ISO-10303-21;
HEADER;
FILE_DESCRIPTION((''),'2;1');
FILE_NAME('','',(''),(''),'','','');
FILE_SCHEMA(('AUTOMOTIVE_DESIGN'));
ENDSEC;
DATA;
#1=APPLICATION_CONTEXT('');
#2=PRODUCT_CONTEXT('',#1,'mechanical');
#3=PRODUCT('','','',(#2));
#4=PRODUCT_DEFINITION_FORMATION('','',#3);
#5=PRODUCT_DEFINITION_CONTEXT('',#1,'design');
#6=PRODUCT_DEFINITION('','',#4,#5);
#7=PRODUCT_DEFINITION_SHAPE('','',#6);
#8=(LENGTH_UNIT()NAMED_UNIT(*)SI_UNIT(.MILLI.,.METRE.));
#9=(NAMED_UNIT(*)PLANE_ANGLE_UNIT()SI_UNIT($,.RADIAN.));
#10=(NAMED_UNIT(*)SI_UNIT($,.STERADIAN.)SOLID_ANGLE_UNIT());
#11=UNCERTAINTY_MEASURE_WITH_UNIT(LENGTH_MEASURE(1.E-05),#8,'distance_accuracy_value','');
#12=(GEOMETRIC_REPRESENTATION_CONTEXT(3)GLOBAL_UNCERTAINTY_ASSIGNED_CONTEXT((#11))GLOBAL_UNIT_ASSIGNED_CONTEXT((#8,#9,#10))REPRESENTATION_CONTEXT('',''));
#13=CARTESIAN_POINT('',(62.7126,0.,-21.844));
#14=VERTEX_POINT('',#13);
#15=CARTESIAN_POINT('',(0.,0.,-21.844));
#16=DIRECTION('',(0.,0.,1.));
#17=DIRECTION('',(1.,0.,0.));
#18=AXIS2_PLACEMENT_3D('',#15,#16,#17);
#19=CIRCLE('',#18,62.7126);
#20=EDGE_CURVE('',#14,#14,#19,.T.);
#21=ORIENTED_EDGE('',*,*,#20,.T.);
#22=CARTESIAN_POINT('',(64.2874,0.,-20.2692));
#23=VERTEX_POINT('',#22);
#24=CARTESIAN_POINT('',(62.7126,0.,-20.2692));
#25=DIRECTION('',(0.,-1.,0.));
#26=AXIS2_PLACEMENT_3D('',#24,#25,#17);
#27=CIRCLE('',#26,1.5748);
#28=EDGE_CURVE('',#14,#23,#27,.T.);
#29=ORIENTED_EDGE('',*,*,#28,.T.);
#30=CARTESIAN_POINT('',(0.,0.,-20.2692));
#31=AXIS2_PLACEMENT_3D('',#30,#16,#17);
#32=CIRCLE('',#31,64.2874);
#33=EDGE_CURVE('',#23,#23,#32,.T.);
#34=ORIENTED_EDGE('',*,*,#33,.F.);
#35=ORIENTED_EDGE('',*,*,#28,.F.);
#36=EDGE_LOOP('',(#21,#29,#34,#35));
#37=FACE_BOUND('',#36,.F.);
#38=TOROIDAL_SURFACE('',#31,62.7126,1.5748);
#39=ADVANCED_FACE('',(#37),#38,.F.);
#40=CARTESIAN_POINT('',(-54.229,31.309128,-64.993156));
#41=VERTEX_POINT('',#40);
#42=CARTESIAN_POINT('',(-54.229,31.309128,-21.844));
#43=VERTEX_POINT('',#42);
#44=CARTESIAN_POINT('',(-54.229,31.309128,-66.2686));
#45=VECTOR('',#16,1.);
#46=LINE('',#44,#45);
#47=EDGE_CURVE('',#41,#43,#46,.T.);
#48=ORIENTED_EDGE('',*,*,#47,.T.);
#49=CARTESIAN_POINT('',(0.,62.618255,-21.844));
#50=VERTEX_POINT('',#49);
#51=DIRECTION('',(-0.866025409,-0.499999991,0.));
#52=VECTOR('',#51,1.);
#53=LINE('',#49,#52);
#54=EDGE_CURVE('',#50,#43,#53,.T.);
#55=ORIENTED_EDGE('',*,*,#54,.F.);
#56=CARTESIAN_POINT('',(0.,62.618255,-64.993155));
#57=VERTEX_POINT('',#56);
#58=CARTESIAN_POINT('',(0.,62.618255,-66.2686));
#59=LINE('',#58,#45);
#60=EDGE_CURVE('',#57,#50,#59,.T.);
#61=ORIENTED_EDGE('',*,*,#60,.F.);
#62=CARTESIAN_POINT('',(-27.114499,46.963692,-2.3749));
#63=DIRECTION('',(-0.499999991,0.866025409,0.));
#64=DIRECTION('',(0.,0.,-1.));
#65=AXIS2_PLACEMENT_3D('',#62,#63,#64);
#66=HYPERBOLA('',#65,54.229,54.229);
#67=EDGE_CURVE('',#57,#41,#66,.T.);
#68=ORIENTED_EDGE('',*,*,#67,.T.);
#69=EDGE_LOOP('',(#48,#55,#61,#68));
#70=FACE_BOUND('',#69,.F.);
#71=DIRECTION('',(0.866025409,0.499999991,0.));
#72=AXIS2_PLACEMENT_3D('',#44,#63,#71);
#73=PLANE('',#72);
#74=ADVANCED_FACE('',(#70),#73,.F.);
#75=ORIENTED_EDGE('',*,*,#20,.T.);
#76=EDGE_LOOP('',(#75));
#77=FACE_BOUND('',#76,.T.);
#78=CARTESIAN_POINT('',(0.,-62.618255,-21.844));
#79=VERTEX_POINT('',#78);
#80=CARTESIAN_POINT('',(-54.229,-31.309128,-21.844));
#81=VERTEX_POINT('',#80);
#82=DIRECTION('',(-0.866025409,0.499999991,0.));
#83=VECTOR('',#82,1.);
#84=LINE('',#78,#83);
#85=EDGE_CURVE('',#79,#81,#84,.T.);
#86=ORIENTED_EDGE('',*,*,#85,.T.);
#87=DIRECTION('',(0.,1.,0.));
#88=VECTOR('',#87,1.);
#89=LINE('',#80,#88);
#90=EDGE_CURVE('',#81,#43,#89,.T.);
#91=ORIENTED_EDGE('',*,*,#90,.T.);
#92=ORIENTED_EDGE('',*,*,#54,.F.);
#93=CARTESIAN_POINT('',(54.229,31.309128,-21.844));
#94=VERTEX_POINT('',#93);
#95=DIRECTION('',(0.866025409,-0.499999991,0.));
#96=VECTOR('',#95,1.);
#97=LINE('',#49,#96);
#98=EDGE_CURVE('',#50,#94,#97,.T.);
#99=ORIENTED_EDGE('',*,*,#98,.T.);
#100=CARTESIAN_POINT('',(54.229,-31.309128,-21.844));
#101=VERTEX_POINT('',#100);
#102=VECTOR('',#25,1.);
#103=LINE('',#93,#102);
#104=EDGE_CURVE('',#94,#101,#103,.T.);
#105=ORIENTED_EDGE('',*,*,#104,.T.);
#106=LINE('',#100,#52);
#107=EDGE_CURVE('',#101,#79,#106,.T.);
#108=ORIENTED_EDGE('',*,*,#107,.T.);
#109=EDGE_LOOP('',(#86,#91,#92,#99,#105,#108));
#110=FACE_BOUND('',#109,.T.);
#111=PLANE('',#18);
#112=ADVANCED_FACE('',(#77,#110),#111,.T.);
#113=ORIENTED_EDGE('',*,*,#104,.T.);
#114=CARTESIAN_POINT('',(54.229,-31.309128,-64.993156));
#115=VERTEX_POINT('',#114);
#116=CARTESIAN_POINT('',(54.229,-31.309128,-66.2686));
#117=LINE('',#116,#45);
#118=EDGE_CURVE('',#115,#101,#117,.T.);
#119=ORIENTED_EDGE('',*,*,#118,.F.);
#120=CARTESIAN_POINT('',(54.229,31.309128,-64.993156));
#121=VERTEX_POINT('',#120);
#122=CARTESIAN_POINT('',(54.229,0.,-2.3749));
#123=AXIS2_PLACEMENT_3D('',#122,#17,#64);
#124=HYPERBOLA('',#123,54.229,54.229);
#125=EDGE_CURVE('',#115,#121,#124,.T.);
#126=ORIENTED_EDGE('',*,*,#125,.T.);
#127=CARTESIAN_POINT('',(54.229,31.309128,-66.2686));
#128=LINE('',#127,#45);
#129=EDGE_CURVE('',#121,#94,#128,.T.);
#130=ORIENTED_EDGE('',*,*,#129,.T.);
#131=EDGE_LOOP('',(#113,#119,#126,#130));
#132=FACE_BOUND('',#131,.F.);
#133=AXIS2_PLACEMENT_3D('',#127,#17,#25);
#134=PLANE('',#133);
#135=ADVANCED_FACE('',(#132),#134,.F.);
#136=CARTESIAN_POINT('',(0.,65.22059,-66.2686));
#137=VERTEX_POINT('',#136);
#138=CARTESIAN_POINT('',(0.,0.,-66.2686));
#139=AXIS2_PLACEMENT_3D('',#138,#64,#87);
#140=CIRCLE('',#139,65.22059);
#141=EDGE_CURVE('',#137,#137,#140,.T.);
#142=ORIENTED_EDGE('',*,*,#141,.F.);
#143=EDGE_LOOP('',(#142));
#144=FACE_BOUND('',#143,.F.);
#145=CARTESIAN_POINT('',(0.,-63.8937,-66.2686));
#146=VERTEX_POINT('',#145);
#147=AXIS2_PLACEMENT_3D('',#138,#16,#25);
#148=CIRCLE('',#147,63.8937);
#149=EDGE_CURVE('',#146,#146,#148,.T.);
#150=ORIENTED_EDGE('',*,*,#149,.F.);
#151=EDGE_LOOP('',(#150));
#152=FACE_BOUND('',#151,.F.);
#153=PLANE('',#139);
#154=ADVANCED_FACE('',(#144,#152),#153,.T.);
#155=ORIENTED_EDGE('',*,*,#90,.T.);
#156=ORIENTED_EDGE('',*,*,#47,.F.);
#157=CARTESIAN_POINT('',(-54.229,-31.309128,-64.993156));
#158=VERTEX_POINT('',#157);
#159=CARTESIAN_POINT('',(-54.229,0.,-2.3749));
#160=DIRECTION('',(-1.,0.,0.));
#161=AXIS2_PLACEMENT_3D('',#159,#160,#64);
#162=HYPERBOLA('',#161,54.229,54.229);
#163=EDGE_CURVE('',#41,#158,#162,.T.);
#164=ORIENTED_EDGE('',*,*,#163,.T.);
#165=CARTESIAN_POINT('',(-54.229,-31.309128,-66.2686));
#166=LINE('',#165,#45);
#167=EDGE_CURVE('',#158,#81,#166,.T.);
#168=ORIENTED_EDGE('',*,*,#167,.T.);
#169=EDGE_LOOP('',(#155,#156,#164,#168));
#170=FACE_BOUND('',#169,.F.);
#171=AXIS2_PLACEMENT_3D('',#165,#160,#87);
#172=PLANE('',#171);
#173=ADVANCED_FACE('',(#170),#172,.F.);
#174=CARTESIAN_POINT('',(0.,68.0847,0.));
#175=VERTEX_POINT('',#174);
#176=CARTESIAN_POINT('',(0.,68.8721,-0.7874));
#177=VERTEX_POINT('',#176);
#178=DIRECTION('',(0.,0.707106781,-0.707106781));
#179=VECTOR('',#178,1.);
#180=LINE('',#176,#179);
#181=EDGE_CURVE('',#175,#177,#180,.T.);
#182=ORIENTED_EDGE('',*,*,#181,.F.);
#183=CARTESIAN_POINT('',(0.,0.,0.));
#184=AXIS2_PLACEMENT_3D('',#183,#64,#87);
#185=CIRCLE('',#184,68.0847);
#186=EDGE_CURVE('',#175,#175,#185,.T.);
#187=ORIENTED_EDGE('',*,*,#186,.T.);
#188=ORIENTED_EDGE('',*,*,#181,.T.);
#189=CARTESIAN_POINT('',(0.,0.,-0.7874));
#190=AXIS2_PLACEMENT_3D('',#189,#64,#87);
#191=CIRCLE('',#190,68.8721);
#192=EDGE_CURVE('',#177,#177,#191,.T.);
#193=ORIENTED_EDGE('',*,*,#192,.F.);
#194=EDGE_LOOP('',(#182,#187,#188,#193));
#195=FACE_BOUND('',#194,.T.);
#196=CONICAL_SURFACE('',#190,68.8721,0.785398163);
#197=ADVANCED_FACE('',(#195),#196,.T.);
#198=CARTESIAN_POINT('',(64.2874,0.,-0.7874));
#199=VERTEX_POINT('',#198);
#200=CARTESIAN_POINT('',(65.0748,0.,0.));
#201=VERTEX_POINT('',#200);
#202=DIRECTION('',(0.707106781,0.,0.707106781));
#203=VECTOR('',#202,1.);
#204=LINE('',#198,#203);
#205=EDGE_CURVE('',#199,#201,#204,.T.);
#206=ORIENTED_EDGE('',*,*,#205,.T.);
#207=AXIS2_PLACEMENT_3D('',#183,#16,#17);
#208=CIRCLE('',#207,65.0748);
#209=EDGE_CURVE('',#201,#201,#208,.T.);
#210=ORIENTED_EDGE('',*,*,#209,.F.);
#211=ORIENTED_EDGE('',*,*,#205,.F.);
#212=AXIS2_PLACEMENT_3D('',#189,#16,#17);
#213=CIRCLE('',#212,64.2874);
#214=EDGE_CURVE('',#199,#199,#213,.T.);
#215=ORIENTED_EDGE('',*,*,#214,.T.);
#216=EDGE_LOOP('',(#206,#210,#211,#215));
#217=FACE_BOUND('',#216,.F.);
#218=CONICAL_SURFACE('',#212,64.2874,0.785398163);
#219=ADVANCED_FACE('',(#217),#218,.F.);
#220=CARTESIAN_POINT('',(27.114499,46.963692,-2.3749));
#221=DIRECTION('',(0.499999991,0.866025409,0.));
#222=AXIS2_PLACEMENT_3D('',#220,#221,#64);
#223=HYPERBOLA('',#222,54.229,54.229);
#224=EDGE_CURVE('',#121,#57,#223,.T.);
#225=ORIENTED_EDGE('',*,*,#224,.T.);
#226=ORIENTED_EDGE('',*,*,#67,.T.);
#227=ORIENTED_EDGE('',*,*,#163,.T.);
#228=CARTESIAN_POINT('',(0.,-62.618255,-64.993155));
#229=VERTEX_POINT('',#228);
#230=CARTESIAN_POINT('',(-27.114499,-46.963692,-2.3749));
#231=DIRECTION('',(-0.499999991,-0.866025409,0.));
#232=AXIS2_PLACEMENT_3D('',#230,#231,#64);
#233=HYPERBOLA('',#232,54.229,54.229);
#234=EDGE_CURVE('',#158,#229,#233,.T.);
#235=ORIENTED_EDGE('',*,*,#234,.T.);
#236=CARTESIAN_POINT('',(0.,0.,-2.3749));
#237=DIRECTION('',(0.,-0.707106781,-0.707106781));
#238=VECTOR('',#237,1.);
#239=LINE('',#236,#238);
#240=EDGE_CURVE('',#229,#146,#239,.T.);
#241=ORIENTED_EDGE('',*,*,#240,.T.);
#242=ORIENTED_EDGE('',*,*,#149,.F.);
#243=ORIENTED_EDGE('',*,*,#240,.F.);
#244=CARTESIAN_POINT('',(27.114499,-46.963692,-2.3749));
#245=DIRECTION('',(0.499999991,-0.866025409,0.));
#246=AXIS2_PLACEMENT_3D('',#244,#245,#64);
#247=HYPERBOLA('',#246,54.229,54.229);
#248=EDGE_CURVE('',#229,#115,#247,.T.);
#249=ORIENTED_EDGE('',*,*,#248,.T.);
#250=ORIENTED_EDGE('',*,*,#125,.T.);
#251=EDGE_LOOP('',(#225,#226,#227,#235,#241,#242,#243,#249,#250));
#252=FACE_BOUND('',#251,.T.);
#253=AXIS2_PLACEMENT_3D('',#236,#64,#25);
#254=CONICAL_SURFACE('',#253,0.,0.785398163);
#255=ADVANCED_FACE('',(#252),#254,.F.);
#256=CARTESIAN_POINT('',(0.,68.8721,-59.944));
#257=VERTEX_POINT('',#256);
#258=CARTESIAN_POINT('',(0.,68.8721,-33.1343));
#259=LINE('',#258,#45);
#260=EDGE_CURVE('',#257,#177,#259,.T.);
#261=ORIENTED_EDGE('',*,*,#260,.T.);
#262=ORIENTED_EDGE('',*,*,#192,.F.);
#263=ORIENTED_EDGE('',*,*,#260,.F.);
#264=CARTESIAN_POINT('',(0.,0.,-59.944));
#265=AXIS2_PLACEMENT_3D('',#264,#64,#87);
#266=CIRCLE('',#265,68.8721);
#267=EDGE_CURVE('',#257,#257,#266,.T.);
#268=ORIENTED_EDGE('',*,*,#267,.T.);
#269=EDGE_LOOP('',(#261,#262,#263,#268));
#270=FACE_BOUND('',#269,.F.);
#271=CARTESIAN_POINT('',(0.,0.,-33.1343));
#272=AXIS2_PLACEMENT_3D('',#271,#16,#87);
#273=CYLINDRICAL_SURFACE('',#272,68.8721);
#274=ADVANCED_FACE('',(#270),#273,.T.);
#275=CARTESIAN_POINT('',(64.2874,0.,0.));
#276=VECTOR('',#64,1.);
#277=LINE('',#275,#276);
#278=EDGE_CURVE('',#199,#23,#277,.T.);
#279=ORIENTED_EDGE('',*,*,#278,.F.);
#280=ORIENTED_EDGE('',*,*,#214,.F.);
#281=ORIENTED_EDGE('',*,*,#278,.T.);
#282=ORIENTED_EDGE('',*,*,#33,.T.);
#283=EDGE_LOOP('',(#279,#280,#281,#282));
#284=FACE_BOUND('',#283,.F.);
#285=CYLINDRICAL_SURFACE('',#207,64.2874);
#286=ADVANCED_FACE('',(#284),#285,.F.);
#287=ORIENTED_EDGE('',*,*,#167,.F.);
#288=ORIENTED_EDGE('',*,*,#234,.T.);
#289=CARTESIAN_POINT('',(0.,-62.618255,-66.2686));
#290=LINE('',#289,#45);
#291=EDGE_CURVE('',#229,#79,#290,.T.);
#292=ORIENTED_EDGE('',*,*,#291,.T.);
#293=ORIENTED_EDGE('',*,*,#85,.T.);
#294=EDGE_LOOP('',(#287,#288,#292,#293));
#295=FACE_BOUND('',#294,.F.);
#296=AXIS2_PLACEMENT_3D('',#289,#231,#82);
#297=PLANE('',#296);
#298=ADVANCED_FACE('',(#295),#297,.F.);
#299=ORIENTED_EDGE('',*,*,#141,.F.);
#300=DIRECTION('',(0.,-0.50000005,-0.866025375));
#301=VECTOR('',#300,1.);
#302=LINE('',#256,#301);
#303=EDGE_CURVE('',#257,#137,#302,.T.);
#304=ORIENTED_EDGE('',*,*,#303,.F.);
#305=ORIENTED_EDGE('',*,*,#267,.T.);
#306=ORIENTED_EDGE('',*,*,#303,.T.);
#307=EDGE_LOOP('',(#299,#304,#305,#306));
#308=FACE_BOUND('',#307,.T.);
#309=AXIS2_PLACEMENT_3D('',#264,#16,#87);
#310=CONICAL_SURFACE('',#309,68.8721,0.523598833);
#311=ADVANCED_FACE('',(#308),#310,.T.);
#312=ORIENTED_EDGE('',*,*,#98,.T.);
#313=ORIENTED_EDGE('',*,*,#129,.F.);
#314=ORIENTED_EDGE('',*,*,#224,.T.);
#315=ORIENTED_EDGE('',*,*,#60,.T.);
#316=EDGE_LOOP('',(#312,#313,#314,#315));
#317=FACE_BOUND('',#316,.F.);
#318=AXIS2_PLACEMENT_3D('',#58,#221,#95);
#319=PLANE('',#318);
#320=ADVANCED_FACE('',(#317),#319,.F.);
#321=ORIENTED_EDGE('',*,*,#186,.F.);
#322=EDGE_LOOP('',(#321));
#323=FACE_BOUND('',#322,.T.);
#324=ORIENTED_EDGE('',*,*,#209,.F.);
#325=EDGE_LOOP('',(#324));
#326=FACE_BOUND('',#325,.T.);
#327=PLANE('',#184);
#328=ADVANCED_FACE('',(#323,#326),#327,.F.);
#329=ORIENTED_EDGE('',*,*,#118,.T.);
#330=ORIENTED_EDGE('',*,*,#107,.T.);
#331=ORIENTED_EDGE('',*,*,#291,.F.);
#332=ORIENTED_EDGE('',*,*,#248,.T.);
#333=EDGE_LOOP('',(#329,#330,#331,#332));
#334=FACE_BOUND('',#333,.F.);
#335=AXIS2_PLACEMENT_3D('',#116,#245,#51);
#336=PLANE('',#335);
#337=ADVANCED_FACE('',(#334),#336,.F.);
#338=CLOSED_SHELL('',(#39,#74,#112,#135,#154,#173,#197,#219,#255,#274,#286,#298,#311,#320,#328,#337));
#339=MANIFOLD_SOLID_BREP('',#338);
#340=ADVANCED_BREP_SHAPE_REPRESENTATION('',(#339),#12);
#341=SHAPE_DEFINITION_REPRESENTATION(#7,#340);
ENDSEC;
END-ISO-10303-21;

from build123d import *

# Parameters (mm, degrees)
F0_W      = 14.6431
F0_H      = 66.2686
F2_R      = 64.2874
F3_DEPTH  = 21.844
F5_DEPTH  = 66.2696
F6_R      = 1.5748
F7_SIZE   = 0.7874
F10_SIZE2 = 3.65151
F10_SIZE  = 6.3246


with BuildPart() as f1:
    # F0 (on Right) → F1 (revolve)
    with BuildSketch(Plane.YZ):
        with Locations((61.55055, -33.1343)):
            Rectangle(F0_W, F0_H)
    revolve(axis=Axis((0, 0, -33.1343), (0, 0, -1)))

    # F2 (on face) → F3 (cut)
    with BuildSketch(Plane.XY):
        Circle(F2_R)
    extrude(amount=-F3_DEPTH, mode=Mode.SUBTRACT)

    # F4 (on face) → F5 (cut, through all)
    with BuildSketch(Plane(origin=(0, 0, -66.2686), x_dir=(1, 0, 0), z_dir=(0, 0, -1))):
        Polygon((-54.229, 31.309128), (-54.229, -31.309128), (0, -62.618255), (54.229, -31.309128), (54.229, 31.309128), (0, 62.618255), align=None)
    extrude(amount=-F5_DEPTH, mode=Mode.SUBTRACT)

    # F6
    f6_edges = [f1.edges().sort_by_distance(p)[0] for p in [
        (-64.2874, 0, -21.844),
    ]]
    fillet(f6_edges, radius=F6_R)

    # F7
    f7_edges = [f1.edges().sort_by_distance(p)[0] for p in [
        (0, -68.8721, 0),
        (-64.2874, 0, 0),
    ]]
    chamfer(f7_edges, length=F7_SIZE)

    # F8 (on Right) → F9 (revolve, cut)
    with BuildSketch(Plane.YZ):
        Polygon((0, -2.3749), (-63.8937, -66.2686), (0, -66.2686), align=None)
    revolve(axis=Axis((0, 0, -34.32175), (0, 0, 1)), mode=Mode.SUBTRACT)

    # F10
    f10_edges = [f1.edges().sort_by_distance(p)[0] for p in [
        (0, -68.8721, -66.2686),
    ]]
    chamfer(f10_edges, length=F10_SIZE, length2=F10_SIZE2)


solid = f1.part
